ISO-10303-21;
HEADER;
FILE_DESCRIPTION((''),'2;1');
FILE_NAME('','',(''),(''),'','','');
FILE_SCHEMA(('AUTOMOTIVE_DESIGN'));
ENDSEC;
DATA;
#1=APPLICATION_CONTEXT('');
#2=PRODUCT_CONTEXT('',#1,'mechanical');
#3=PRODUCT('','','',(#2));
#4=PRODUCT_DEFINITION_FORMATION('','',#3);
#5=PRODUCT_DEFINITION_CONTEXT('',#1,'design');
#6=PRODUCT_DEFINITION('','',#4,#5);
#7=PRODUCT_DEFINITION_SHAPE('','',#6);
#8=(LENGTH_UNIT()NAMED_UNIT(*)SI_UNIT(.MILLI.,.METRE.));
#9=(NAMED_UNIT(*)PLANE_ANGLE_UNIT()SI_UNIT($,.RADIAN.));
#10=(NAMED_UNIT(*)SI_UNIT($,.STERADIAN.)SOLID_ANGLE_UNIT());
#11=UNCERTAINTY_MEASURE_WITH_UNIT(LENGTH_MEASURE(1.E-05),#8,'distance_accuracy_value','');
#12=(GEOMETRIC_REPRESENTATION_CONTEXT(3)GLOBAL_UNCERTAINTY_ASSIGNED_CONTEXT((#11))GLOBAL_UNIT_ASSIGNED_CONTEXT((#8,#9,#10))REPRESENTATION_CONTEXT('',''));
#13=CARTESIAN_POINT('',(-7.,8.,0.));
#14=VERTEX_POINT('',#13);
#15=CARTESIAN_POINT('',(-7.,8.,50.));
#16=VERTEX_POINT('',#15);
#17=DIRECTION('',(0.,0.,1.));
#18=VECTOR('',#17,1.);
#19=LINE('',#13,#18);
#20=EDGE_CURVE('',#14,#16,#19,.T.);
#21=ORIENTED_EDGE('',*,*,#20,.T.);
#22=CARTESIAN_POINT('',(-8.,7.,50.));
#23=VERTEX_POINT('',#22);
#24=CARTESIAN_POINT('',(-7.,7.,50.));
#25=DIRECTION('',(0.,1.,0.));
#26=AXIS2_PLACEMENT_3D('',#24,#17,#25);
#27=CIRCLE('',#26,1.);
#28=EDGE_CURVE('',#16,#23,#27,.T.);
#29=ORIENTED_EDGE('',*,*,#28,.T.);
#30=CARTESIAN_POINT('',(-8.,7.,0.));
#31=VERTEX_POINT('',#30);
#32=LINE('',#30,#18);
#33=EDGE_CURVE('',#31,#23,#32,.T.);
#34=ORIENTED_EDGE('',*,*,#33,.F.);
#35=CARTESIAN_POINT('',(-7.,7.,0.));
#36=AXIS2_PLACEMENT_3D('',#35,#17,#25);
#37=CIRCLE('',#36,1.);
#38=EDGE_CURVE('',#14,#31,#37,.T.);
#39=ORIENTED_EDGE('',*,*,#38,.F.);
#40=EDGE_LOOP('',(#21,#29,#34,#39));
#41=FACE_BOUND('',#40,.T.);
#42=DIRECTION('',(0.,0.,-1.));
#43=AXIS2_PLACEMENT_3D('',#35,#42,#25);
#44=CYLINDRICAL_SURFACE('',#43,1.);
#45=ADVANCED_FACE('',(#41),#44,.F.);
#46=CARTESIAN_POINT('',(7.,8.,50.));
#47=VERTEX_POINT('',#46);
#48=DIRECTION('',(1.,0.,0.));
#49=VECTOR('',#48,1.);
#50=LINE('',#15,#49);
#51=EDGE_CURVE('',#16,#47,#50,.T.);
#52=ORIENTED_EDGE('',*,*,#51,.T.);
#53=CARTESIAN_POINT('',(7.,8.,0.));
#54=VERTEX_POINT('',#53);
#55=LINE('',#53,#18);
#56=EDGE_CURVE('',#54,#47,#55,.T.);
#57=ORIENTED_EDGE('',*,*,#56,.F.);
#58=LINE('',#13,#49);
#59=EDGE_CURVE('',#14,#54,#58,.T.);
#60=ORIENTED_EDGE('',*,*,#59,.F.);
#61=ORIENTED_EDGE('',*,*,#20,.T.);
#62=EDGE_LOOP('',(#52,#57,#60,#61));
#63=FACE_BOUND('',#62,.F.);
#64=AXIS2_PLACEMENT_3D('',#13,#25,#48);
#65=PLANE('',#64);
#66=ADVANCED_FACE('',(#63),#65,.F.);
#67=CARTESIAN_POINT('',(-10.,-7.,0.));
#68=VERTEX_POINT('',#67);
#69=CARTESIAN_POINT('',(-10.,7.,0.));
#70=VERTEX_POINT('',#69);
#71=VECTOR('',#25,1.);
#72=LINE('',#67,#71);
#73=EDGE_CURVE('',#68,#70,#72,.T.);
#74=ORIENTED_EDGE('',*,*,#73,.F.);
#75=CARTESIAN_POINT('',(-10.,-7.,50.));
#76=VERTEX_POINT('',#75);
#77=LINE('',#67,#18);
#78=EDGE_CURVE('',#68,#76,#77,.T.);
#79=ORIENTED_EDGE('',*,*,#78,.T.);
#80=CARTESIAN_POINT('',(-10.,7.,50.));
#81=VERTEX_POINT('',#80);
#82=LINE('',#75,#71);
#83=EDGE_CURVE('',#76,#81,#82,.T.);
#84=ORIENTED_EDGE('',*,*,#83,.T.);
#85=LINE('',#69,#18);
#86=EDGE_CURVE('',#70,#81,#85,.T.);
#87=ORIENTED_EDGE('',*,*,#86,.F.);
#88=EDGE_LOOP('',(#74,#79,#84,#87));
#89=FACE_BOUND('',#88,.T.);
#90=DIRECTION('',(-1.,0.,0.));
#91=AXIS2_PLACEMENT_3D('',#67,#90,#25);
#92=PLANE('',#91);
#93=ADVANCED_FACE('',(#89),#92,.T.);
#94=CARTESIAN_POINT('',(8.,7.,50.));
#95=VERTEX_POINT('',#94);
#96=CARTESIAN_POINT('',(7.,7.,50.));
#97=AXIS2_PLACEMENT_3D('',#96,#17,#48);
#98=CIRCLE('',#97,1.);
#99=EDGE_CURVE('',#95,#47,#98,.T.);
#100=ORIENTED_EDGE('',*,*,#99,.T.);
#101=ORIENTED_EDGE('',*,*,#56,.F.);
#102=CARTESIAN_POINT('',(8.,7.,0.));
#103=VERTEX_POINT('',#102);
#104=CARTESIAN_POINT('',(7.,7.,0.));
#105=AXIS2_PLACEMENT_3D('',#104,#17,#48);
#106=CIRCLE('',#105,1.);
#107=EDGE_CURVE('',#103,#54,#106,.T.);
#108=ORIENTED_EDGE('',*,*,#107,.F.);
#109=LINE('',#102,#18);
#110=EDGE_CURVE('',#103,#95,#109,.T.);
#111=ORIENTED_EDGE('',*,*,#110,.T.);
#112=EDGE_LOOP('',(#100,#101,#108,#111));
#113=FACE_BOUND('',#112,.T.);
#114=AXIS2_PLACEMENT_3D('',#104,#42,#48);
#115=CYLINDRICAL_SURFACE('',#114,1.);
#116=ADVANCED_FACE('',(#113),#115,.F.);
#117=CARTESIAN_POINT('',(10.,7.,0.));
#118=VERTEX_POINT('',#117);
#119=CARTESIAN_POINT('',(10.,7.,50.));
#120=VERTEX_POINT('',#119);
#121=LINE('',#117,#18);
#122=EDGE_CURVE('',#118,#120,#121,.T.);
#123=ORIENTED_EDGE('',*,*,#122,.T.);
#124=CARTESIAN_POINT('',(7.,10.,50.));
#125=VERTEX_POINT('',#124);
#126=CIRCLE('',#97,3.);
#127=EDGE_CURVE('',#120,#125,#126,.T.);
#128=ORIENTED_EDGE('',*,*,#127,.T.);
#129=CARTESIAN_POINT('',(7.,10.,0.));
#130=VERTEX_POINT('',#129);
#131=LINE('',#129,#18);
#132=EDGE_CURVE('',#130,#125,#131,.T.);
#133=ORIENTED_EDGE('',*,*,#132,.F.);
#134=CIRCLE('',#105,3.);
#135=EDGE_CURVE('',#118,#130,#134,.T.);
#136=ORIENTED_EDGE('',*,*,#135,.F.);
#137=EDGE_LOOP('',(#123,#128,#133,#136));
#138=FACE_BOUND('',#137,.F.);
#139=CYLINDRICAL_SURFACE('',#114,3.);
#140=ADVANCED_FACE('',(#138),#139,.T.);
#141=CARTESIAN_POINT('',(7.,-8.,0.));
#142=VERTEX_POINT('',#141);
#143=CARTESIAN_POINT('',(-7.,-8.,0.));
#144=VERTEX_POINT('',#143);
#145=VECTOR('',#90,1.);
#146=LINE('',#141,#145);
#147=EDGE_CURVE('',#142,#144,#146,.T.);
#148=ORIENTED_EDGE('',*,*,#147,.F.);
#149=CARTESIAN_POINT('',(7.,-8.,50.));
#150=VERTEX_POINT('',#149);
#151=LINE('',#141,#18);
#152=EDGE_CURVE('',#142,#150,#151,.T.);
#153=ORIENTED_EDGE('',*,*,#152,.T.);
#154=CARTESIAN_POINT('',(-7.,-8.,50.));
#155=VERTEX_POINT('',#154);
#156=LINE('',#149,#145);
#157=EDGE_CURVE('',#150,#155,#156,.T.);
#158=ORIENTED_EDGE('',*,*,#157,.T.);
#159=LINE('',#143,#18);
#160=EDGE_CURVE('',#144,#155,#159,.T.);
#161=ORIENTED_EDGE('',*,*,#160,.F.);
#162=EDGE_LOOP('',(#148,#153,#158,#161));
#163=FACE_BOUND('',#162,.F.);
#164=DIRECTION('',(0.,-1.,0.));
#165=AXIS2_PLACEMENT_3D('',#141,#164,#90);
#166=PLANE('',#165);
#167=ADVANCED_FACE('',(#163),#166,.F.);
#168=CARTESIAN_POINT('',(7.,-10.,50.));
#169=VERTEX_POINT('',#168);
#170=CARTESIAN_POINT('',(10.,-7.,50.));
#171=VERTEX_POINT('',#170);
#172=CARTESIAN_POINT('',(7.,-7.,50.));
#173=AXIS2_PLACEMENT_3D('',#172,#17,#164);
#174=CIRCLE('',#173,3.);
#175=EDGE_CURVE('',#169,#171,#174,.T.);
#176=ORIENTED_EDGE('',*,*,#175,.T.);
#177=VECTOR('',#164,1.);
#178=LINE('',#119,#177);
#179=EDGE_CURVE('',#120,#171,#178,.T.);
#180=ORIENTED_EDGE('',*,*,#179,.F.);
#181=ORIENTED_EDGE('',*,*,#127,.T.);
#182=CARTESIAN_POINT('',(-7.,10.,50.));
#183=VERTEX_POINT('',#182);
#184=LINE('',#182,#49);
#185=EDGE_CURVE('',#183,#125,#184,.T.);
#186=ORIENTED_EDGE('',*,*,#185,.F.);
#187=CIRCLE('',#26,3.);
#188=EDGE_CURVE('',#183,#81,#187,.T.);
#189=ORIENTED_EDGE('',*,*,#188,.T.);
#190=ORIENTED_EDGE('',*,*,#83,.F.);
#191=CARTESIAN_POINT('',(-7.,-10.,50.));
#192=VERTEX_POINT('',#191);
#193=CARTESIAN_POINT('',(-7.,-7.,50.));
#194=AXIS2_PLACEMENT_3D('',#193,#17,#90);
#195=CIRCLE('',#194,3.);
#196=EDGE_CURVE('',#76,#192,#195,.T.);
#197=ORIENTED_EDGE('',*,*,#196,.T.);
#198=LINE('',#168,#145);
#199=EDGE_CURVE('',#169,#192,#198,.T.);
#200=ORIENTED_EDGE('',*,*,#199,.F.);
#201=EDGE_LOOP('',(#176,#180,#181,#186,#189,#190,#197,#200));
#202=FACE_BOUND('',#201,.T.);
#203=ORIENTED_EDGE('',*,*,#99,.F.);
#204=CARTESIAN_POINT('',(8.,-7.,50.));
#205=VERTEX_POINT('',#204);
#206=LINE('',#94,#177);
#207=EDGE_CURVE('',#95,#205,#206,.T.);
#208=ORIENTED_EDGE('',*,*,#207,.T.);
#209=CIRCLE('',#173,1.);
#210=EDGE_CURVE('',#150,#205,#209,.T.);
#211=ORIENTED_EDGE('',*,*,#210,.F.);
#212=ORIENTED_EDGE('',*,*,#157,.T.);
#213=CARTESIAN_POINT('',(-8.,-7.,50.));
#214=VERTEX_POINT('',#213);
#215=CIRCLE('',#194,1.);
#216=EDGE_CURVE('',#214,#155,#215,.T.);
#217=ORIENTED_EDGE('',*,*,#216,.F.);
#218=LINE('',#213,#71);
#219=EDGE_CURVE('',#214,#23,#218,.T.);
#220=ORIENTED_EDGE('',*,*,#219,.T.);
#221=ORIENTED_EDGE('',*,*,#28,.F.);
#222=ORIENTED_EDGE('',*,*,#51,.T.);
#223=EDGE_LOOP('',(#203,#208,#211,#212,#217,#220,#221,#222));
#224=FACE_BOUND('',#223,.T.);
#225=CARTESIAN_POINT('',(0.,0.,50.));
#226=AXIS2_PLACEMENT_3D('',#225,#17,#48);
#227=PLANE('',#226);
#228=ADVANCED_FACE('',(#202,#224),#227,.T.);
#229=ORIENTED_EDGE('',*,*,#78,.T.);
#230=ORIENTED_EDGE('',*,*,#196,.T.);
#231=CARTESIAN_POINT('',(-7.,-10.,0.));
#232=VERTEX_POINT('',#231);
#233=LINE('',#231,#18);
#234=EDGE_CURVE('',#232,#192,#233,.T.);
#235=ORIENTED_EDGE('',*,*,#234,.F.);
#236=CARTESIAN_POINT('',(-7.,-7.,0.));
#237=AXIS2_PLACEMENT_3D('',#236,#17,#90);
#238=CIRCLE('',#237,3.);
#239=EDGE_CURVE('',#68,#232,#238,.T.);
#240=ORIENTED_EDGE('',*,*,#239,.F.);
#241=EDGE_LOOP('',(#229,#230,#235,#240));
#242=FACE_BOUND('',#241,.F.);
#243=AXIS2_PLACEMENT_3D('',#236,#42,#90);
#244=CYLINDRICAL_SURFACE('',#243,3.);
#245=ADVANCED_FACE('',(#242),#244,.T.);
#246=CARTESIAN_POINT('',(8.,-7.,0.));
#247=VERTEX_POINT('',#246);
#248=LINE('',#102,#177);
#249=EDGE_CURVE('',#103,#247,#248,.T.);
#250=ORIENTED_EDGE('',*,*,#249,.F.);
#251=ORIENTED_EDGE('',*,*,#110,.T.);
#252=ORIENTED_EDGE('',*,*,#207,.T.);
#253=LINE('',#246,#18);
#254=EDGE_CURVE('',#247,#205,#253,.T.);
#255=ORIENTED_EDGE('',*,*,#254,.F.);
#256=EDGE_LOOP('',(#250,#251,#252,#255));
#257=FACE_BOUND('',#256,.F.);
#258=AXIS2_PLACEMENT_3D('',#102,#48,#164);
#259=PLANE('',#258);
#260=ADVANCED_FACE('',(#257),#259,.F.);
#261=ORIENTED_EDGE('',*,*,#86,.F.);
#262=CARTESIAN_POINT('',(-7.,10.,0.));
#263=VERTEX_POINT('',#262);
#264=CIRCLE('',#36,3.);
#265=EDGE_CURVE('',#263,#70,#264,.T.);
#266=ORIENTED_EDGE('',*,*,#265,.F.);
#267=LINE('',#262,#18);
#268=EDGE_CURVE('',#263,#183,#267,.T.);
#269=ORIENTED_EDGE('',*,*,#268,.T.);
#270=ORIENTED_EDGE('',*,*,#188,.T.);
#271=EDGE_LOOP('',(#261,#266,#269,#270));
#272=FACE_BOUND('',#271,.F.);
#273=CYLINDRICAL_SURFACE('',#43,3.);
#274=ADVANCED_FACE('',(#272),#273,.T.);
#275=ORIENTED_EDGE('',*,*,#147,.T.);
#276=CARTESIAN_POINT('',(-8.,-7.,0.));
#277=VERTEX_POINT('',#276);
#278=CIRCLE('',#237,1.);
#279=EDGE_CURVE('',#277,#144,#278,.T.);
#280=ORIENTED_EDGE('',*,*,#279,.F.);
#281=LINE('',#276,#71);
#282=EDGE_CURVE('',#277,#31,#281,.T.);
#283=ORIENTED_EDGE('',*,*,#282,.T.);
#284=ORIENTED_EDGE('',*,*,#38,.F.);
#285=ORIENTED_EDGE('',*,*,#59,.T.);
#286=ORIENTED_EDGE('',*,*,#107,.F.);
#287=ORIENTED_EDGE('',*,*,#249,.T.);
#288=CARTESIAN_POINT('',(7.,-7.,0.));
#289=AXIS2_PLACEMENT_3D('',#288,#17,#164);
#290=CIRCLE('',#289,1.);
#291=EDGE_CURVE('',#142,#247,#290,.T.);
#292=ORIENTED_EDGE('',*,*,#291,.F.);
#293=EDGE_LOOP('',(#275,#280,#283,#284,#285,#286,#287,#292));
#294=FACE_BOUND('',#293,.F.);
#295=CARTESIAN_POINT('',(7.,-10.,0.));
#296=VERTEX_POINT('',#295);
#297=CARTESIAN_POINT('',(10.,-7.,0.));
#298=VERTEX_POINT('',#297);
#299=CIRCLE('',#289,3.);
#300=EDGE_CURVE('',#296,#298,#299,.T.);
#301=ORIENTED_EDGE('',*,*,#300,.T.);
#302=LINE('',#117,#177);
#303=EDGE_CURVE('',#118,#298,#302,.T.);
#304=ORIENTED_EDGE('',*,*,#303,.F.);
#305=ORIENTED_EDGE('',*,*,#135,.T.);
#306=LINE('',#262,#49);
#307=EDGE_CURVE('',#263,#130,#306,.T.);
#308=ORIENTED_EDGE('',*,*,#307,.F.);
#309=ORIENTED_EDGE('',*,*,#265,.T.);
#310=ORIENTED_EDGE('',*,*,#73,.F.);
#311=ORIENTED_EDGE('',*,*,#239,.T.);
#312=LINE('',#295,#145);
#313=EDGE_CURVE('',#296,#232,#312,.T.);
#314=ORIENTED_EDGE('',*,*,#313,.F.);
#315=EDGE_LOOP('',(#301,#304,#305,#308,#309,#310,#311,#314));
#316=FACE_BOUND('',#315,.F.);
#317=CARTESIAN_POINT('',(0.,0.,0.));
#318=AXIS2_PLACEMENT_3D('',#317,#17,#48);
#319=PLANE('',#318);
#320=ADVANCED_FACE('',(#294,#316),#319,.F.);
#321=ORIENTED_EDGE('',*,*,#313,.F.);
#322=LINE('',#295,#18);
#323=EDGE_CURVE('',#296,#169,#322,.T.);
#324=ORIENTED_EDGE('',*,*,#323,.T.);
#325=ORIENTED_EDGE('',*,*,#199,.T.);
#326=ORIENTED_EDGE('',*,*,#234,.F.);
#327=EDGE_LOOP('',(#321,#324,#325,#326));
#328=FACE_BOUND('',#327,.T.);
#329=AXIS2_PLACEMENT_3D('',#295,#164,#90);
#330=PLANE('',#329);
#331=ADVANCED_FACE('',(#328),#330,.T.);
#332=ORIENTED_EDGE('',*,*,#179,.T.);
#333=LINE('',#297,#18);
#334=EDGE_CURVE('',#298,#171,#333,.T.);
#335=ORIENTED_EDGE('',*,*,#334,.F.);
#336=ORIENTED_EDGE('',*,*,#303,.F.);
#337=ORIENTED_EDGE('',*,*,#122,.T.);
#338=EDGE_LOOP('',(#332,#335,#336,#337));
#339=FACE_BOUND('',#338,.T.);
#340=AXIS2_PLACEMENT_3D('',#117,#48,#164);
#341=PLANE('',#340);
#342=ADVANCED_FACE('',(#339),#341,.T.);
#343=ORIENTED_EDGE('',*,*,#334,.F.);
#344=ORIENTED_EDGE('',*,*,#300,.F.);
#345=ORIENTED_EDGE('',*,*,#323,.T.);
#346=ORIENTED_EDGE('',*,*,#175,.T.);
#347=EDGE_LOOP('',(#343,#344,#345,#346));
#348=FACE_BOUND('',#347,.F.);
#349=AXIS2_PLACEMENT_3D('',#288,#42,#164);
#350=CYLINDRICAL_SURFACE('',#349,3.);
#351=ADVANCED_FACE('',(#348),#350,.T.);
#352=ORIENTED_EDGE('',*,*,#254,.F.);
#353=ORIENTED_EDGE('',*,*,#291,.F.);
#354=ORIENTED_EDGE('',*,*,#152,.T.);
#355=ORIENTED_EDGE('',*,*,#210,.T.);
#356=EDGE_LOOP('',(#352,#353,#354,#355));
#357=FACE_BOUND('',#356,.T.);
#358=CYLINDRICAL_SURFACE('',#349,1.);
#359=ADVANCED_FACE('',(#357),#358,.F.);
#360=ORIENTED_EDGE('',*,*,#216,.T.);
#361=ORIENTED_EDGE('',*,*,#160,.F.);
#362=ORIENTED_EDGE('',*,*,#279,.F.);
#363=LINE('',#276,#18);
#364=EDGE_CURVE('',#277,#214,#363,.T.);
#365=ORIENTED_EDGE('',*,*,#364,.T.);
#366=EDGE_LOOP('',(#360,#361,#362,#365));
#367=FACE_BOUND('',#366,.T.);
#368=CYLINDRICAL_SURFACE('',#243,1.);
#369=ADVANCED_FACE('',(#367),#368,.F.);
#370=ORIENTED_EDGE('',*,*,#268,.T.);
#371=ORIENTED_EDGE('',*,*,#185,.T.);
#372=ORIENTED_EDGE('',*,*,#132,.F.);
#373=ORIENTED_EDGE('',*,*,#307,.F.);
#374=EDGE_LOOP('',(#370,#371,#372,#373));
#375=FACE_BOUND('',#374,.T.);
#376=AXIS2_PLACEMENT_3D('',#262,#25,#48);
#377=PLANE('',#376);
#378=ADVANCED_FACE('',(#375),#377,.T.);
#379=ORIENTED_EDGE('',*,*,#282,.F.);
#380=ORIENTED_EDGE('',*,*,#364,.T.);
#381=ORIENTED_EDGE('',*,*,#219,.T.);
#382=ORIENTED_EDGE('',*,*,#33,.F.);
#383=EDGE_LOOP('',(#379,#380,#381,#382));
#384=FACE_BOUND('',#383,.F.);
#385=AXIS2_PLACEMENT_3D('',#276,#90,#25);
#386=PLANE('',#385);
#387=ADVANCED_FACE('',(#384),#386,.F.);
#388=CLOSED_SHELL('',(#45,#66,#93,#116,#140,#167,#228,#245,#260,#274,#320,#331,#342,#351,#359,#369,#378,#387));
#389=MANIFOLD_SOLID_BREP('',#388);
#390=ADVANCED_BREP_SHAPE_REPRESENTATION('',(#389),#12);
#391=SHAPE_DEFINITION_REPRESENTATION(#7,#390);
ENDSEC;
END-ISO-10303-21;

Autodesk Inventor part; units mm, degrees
ref_plane "YZ Plane" through (0, 0, 0) normal (1, 0, 0) x (0, 1, 0)
ref_plane "Start plane" through (0, 0, 0) normal (0, 0, 1) x (1, 0, 0)
ref_plane "End plane" through (0, 0, 50) normal (0, 0, 1) x (1, 0, 0)
sketch "Sketch" plane through (0, 0, 0) normal (0, 0, 1) x (1, 0, 0)
  line L0 (-10, -7) -> (-10, 7)
  line L1 (-7, 10) -> (7, 10)
  line L2 (10, 7) -> (10, -7)
  line L3 (7, -10) -> (-7, -10)
  arc A0 (-10, -7) -> (-7, -10) centre (-7, -7) ccw
  arc A1 (-7, 10) -> (-10, 7) centre (-7, 7) ccw
  arc A2 (10, 7) -> (7, 10) centre (7, 7) ccw
  arc A3 (7, -10) -> (10, -7) centre (7, -7) ccw
  arc A4 (-7, 8) -> (-8, 7) centre (-7, 7) ccw
  line L4 (-7, 8) -> (7, 8)
  arc A5 (8, 7) -> (7, 8) centre (7, 7) ccw
  line L5 (8, 7) -> (8, -7)
  arc A6 (7, -8) -> (8, -7) centre (7, -7) ccw
  line L6 (7, -8) -> (-7, -8)
  arc A7 (-8, -7) -> (-7, -8) centre (-7, -7) ccw
  line L7 (-8, -7) -> (-8, 7)
  line L8 (0, 37.1021) -> (0, -37.1021) construction
  line L9 (-23.1021, 0) -> (23.1021, 0) construction
  dimension "d7" = 3
  dimension "d10" = 20
  dimension "d11" = 20
  dimension "d12" = 2
  dimension "d15" = 10
  dimension "d16" = 10
extrude "Body" add sketch "Sketch" along normal up to surface (50 mm away) from surface at 0
sketch "Sketch3" plane through (0, 0, 0) normal (0, 0, 1) x (1, 0, 0)
  line L0 (0, 0) -> (10, 0)
ref_plane "Work Plane3" through (0, 0, 0) normal (0, -1, 0) x (1, 0, 0)
sketch "Sketch4" plane through (0, 0, 0) normal (0, -1, 0) x (1, 0, 0)
  line L0 (-2, 0) -> (12, 0)
  line L1 (-2, 50) -> (12, 50)
  dimension "d18" = 50
equation "\"d7\" = G_IR"
equation "\"d10\" = G_H"
equation "\"d11\" = G_W"
equation "\"d12\" = G_T"
equation "\"d15\" = 0.5 * d10"
equation "\"d16\" = 0.5 * d11"
equation "\"d3\" = G_L"
equation "\"G_W\" = 20"
equation "\"G_H\" = 20"
equation "\"G_T\" = 2"
equation "\"G_IR\" = 3"
equation "\"G_L\" = d18"
equation "\"G_OFFSET_START\" = 0"
equation "\"G_OFFSET_END\" = 0"
properties part number "ISO 12633-2 - 20x20x2 - 50.00000000" material "Steel, Mild"
